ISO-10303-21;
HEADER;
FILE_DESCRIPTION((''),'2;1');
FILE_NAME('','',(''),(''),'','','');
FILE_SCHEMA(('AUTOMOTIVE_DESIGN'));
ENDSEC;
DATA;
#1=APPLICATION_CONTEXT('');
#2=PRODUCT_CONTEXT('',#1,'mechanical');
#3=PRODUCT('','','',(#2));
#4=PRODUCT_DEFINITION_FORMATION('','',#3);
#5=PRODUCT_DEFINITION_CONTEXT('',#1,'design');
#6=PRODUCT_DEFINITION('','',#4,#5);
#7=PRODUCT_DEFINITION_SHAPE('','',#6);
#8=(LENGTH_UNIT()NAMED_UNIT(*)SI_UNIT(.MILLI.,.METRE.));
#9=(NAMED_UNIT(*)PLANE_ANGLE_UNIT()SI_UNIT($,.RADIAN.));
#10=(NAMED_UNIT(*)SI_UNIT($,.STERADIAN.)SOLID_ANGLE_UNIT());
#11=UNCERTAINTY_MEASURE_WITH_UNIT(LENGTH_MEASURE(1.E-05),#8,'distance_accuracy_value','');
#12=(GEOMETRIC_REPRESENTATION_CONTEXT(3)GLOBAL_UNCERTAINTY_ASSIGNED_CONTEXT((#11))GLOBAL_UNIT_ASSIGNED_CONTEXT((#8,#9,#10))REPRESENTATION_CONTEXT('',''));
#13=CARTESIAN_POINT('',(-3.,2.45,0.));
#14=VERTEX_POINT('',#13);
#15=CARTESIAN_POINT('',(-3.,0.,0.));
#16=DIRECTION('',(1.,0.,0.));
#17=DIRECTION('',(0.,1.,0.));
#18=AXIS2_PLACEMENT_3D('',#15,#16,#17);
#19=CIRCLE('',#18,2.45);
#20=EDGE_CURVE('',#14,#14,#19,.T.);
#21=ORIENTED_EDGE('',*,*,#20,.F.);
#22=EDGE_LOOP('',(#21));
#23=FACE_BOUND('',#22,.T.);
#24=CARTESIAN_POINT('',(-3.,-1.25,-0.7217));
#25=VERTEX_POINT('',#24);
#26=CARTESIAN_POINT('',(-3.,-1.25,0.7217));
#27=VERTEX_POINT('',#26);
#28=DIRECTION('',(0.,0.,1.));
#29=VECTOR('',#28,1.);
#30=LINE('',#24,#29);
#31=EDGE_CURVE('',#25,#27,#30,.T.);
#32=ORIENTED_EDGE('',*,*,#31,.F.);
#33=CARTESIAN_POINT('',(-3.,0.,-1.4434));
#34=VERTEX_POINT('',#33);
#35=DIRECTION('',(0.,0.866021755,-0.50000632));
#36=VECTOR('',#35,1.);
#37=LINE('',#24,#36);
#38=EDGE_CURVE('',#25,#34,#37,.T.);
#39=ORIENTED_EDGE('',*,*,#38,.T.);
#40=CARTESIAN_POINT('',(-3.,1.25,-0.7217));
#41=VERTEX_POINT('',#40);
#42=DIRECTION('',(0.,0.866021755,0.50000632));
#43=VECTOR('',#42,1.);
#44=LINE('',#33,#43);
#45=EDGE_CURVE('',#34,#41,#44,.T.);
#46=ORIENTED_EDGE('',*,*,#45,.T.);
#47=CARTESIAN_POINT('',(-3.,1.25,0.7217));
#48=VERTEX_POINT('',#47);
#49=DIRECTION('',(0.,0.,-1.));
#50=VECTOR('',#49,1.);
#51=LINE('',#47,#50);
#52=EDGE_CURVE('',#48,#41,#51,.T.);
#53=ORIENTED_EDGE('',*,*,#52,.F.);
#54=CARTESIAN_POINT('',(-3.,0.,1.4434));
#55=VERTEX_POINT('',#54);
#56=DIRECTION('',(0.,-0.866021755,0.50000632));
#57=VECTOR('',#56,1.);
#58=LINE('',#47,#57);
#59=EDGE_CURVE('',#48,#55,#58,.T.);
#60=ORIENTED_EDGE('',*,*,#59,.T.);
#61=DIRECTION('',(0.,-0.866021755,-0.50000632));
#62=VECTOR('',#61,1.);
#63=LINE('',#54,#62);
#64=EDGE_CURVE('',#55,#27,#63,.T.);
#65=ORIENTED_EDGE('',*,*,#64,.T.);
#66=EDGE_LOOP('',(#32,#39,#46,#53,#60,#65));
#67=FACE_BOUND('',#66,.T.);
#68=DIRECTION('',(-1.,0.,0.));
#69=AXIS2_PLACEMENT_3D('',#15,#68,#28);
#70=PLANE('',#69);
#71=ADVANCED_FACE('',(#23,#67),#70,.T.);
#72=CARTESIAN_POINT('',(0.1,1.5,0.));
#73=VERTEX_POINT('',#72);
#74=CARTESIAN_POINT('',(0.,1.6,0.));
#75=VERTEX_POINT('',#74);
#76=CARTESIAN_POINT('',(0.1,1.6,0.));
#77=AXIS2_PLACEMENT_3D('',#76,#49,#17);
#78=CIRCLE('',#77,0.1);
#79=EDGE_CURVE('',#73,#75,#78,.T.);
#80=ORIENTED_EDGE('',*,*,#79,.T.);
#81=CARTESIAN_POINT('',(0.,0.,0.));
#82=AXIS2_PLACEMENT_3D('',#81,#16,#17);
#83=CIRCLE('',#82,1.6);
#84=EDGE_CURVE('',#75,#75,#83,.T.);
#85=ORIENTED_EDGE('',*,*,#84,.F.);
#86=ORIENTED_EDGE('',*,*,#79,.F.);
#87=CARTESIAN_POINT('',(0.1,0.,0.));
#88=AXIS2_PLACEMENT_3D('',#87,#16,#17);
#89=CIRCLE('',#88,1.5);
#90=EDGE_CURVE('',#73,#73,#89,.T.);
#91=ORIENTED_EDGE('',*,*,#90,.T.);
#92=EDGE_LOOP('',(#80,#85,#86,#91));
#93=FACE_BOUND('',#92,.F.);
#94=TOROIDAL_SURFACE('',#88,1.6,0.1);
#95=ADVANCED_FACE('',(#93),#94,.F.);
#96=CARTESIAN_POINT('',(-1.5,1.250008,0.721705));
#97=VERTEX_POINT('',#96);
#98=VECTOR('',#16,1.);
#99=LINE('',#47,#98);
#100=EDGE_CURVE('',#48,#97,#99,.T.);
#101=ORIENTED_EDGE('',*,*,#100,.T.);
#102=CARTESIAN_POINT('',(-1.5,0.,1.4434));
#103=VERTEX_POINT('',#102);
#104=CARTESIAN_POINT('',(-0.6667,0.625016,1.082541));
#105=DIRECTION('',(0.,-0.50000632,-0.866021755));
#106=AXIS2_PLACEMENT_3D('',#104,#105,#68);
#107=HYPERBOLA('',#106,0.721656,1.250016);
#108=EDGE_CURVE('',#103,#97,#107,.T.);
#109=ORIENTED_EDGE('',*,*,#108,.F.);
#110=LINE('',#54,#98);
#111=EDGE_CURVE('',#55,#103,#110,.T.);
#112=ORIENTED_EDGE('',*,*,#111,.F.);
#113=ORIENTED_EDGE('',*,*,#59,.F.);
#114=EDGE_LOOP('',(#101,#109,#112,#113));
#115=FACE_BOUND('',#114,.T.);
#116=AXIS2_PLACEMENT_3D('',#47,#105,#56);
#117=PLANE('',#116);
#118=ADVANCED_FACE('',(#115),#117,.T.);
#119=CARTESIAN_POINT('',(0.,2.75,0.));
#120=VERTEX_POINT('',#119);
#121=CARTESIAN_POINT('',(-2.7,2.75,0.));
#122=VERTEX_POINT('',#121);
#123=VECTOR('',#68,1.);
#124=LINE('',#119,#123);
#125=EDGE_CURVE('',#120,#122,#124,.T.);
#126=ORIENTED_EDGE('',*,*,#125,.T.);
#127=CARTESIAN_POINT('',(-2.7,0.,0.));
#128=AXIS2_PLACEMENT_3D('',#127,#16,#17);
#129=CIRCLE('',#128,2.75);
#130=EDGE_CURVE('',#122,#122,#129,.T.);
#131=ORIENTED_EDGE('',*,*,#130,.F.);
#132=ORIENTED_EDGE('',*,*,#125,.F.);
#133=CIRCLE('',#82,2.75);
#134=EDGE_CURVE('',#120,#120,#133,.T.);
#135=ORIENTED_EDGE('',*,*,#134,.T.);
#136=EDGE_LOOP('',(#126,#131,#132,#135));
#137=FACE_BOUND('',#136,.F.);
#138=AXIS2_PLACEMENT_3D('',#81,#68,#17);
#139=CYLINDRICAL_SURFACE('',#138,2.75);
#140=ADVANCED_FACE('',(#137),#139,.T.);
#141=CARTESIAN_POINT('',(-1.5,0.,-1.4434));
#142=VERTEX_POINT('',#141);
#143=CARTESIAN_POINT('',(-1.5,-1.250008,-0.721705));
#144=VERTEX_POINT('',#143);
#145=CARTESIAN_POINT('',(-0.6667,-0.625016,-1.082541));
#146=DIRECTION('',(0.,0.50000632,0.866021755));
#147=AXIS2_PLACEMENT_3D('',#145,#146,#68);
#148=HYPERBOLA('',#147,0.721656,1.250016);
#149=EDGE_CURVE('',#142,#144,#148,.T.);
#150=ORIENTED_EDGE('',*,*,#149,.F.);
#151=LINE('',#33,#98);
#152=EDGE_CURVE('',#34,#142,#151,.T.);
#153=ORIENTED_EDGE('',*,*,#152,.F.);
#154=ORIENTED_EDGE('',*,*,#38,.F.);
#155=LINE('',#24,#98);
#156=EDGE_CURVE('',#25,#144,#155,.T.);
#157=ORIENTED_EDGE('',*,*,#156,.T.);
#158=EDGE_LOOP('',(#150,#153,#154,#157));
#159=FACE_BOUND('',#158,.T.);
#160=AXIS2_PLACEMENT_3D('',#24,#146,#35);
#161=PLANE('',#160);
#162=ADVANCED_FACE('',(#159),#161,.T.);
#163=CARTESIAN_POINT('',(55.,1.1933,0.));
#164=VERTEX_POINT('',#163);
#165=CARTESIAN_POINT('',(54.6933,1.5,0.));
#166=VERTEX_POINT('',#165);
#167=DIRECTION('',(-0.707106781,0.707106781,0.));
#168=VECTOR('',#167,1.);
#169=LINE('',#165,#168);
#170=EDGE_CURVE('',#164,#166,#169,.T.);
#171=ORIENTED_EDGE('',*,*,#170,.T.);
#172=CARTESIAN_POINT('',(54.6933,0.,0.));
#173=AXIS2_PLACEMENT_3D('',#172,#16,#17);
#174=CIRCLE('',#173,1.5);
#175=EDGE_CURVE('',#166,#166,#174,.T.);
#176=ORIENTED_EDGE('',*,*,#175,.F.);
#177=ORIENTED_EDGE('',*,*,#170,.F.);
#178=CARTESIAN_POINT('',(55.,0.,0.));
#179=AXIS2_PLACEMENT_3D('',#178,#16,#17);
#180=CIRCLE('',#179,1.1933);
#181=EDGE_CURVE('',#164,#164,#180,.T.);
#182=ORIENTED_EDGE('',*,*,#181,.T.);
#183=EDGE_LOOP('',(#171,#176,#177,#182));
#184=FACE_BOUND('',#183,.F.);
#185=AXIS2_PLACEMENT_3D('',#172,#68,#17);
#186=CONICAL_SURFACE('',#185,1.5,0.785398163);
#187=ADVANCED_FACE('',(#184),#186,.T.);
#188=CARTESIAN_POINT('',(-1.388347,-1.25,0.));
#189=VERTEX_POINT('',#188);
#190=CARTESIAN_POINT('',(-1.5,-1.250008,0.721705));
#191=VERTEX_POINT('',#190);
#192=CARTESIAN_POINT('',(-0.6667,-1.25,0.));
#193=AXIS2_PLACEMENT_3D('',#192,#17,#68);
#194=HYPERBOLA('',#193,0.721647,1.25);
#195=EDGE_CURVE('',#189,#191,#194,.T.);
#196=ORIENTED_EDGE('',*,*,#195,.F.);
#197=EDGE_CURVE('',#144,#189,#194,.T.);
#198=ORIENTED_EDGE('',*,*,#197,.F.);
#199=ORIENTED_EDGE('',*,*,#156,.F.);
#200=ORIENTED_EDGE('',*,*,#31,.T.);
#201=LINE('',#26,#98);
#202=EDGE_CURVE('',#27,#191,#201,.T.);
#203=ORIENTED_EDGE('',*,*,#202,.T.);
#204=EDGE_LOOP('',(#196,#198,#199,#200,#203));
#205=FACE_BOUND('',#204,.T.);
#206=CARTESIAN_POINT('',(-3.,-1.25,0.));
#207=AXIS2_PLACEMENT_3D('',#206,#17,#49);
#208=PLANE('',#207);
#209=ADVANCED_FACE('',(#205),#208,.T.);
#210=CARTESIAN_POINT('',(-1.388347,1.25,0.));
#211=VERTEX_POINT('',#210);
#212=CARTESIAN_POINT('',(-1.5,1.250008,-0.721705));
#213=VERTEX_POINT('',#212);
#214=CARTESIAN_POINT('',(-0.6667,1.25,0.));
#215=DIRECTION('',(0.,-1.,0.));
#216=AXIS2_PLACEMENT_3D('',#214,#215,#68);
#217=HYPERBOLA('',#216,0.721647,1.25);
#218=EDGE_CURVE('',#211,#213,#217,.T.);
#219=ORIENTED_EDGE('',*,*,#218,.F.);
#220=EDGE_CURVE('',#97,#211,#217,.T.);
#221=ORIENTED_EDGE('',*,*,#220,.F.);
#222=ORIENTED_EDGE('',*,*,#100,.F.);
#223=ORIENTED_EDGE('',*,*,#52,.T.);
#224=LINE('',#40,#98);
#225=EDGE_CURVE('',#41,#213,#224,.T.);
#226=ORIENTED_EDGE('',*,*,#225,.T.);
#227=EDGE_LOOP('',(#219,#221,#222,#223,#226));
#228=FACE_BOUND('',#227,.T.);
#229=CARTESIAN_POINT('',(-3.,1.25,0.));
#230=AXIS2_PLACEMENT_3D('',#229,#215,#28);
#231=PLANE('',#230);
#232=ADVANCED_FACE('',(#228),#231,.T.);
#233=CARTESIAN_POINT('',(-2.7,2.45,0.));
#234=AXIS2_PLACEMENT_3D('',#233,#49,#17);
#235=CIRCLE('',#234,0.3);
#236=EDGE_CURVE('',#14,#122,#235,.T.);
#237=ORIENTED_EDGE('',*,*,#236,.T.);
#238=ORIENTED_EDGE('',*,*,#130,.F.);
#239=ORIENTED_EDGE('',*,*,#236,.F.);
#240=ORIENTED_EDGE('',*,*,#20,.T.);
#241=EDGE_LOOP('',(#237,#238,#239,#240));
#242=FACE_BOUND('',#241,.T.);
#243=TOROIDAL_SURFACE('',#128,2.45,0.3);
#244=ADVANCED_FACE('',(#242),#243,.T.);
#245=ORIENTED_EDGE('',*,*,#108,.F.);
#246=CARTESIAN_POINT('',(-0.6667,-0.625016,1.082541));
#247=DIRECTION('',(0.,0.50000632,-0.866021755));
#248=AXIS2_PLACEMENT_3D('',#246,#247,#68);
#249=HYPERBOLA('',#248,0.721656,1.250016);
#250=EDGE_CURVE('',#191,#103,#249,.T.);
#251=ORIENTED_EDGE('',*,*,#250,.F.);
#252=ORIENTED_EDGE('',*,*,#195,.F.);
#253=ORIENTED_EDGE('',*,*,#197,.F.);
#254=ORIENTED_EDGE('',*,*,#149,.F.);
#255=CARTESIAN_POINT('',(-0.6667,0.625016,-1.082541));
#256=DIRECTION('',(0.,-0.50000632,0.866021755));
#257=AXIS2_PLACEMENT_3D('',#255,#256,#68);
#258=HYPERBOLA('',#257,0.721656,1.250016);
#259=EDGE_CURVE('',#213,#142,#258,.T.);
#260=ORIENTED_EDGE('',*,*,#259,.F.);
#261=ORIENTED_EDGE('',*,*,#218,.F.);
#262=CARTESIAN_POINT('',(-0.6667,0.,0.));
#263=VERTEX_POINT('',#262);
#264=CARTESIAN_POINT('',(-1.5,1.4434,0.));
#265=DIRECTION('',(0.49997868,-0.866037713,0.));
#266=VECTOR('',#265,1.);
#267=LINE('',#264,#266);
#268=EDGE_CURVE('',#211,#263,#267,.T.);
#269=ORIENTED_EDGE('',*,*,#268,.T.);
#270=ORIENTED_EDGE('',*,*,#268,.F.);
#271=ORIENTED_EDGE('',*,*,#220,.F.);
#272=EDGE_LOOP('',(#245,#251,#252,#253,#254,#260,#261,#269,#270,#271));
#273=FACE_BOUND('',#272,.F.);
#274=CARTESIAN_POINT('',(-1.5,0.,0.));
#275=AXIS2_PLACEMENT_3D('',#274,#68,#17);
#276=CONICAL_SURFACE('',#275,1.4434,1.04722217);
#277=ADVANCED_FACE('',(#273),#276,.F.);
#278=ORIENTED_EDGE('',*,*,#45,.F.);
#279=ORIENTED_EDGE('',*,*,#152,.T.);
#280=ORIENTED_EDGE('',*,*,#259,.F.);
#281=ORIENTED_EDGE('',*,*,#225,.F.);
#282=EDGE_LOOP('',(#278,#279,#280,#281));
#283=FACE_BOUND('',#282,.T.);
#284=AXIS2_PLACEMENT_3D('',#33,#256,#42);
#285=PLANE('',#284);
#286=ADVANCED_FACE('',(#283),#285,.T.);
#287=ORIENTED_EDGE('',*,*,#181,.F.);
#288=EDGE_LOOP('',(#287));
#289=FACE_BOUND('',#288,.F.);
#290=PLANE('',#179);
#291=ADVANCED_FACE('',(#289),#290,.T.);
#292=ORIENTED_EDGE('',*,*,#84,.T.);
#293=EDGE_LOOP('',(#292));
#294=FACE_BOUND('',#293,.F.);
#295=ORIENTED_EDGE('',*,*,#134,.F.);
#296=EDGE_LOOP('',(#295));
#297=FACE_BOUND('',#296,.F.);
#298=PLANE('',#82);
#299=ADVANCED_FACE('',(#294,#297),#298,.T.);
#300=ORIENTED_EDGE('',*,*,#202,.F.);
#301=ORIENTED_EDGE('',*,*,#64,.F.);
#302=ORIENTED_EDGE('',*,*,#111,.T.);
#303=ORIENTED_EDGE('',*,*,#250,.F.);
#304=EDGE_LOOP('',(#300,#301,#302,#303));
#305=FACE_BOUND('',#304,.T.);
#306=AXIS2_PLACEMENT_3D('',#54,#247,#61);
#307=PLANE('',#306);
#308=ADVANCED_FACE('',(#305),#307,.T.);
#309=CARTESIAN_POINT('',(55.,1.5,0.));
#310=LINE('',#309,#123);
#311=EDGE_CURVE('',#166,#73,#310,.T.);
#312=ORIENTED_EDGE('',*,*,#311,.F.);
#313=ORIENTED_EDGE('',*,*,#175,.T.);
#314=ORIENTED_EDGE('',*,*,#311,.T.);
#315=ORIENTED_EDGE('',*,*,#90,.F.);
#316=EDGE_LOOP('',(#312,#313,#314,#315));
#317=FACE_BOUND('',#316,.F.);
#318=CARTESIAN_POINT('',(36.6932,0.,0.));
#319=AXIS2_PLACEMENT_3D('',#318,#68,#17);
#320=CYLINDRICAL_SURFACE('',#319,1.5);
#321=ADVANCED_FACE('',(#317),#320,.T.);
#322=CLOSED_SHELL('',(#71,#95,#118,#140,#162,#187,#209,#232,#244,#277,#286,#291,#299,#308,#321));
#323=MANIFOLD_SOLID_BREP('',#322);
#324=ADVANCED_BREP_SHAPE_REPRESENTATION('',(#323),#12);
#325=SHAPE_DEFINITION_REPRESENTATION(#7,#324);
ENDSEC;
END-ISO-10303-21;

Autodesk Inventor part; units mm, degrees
ref_plane "YZ Plane" through (0, 0, 0) normal (1, 0, 0) x (0, 1, 0)
ref_plane "XZ Plane" through (0, 0, 0) normal (0, 1, 0) x (-1, 0, 0)
sketch "Sketch1" plane through (0, 0, 0) normal (0, 0, 1) x (1, 0, 0)
  line L0 (-0.6667, 0) -> (55, 0)
  line L1 (55, 0) -> (55, 1.5)
  line L2 (55, 1.5) -> (37, 1.5)
  line L3 (37, 1.5) -> (36.6932, 1.5)
  line L4 (36.6932, 1.5) -> (0, 1.5)
  line L5 (0, 1.5) -> (0, 2.75)
  line L6 (0, 2.75) -> (-3, 2.75)
  line L7 (-3, 2.75) -> (-3, 1.4434)
  line L8 (-3, 1.4434) -> (-1.5, 1.4434)
  line L9 (-1.5, 1.4434) -> (-0.6667, 0)
  line L10 (-14.6, 0) -> (66.6, 0) projected
  line L11 (0, -0.55) -> (0, 3.3) projected
  line L12 (37, 1.5) -> (0, 1.5) construction
  dimension "d1" = 18
  dimension "d2" = 0.3068
  dimension "d3" = 3
  dimension "d4" = 1.5
  dimension "d5" = 60
  dimension "d6" = 3
  dimension "d7" = 3
  dimension "d8" = 2.8868
  dimension "d9" = 5.5
  dimension "d26" = 55
revolve "Body" add sketch "Sketch1" angle 360 about axis through (-0.6667, 0, 0) along (1, 0, 0)
sketch "Sketch2" plane through (-3, 0, 0) normal (-1, 0, 0) x (0, 0, 1)
  circle A0 centre (0, 0) radius 1.4434 projected
  line L0 (0, -3.85) -> (0, 3.85) projected
  line L1 (-3.85, 0) -> (3.85, 0) projected
  line L2 (1.4434, 0) -> (0.7217, -1.25)
  line L3 (0.7217, -1.25) -> (-0.7217, -1.25)
  line L4 (-0.7217, -1.25) -> (-1.4434, 0)
  line L5 (-1.4434, 0) -> (-0.7217, 1.25)
  line L6 (-0.7217, 1.25) -> (0.7217, 1.25)
  line L7 (0.7217, 1.25) -> (1.4434, 0)
extrude "Slot" add sketch "Sketch2" against normal up to next contours L7 A0 | A0 L2 | L6 L0 A0 | A0 L0 L3 | L0 L6 A0 | A0 L3 L0 | L4 A0 | A0 L5
fillet "Fillet1" radius 0.3 1 edges at (-3, -2.75, 0)
thread "Thread" size "M3x0.5" class "6g" standard "ISO Metric profile" length 18
chamfer "Chamfer1" distance 0.3067 distance2 0.3067 1 edges at (55, -1.5, 0) measured on face at (55, -0.3743, 0.3316)
ref_plane "Work Plane1" through (29, 0, 0) normal (0, -1, 0) x (1, 0, 0)
fillet "Fillet2" radius 0.1 1 edges at (0, -1.5, 0)
equation "\"d1\" = GEL"
equation "\"d3\" = KOH"
equation "\"d4\" = INTI"
equation "\"d6\" = GD"
equation "\"d7\" = BDM"
equation "\"d8\" = 1.1547 * SW"
equation "\"d9\" = KOD"
equation "\"d26\" = NLG"
equation "\"d30\" = R"
equation "\"d17\" = RR"
equation "\"d13\" = GEL"
equation "\"d15\" = -0.5 * SPD + 0.5 * GD"
equation "\"d16\" = GUL"
equation "\"GD\" = NND"
equation "\"NLG\" = 55"
equation "\"GEL\" = 18"
equation "\"KOD\" = 5.5"
equation "\"KOH\" = 3"
equation "\"INTI\" = 1.5"
equation "\"GAL\" = 0.61345 * PTC"
equation "\"GUL\" = 0.61345 * PTC"
equation "\"BDM\" = NND"
equation "\"SW\" = 2.5"
equation "\"RR\" = 0.3"
equation "\"SPD\" = 2.38655"
equation "\"R\" = 0.1"
equation "\"TOA\" = 30deg"
equation "\"THREADDIA\" = 3"
equation "\"PTC\" = 0.5"
equation "\"NND\" = 3"
equation "\"E0\" = 1.155 * SW"
equation "\"GD1\" = THREADDIA - 1.2269 * PTC"
properties part number "ANSI B18.3.1M - M3x0.5 x 55" material "Steel, Mild"
